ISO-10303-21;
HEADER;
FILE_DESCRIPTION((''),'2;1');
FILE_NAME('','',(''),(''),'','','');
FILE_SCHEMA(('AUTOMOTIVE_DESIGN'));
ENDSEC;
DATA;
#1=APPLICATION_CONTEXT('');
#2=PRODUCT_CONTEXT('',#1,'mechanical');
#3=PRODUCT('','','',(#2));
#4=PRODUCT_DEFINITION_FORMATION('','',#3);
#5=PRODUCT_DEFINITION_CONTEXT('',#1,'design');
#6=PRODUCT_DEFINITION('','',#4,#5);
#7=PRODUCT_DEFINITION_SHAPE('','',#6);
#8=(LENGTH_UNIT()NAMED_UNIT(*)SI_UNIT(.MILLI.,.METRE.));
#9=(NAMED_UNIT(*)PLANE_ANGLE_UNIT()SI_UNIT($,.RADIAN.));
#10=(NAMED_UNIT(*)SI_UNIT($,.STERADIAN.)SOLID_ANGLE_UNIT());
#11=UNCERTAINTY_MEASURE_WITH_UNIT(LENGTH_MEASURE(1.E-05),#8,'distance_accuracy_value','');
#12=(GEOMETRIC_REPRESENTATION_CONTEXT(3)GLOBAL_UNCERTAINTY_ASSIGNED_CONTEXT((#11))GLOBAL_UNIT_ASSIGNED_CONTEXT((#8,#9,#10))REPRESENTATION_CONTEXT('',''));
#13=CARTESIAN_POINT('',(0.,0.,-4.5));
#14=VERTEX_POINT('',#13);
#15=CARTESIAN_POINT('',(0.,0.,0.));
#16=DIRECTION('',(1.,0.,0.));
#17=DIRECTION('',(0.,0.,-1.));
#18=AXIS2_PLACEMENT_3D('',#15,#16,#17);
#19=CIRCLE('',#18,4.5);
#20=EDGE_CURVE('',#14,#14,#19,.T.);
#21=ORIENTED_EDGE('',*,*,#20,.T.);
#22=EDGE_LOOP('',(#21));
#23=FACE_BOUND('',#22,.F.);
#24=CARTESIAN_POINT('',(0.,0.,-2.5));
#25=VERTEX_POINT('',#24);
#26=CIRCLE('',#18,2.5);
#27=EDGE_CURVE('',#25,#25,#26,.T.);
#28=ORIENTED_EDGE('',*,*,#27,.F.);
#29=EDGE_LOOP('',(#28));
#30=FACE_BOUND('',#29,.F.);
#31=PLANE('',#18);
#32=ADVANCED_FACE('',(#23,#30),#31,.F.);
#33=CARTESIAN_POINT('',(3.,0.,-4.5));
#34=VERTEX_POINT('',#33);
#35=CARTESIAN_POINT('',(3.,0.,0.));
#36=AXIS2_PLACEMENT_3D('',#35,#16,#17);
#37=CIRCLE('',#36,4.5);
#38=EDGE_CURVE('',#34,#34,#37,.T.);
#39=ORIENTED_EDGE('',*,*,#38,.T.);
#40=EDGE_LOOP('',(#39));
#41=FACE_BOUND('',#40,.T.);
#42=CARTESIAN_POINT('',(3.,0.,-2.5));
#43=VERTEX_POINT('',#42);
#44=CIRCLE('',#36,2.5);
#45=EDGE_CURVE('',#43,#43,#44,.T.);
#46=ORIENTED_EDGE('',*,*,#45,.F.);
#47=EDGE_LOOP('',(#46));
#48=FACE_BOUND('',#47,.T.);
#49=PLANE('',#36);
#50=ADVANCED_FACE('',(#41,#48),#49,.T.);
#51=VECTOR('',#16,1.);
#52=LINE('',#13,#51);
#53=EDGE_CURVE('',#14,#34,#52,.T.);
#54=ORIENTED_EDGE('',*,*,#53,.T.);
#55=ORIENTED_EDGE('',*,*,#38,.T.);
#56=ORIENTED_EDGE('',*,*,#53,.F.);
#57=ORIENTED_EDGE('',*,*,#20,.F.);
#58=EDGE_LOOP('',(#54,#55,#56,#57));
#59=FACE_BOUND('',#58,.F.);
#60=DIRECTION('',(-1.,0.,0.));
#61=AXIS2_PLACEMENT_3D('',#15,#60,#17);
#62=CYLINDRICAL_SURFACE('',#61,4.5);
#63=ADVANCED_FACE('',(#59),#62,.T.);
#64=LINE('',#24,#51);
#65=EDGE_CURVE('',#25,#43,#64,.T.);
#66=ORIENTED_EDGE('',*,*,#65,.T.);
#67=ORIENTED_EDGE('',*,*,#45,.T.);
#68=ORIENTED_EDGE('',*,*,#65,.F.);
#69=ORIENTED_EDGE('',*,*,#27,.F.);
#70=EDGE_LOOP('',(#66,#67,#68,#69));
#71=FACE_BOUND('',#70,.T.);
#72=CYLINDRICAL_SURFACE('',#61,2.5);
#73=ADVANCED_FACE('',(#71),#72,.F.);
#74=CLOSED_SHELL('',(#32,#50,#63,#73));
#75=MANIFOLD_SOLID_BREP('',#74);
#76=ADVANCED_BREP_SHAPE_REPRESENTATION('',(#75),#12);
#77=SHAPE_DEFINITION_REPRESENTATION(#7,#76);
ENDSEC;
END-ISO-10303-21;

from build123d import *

# Parameters (mm, degrees)
SKETCH_1_R      = 4.5
SKETCH_1_R_2    = 2.5
EXTRUDE_1_DEPTH = 3


with BuildPart() as part:
    # 草图1 → 凸台-拉伸1 (new body)
    with BuildSketch(Plane(origin=(0, 0, 0), x_dir=(0, 0, -1), z_dir=(1, 0, 0))):
        Circle(SKETCH_1_R)
        Circle(SKETCH_1_R_2, mode=Mode.SUBTRACT)
    extrude(amount=EXTRUDE_1_DEPTH)


solid = part.part
